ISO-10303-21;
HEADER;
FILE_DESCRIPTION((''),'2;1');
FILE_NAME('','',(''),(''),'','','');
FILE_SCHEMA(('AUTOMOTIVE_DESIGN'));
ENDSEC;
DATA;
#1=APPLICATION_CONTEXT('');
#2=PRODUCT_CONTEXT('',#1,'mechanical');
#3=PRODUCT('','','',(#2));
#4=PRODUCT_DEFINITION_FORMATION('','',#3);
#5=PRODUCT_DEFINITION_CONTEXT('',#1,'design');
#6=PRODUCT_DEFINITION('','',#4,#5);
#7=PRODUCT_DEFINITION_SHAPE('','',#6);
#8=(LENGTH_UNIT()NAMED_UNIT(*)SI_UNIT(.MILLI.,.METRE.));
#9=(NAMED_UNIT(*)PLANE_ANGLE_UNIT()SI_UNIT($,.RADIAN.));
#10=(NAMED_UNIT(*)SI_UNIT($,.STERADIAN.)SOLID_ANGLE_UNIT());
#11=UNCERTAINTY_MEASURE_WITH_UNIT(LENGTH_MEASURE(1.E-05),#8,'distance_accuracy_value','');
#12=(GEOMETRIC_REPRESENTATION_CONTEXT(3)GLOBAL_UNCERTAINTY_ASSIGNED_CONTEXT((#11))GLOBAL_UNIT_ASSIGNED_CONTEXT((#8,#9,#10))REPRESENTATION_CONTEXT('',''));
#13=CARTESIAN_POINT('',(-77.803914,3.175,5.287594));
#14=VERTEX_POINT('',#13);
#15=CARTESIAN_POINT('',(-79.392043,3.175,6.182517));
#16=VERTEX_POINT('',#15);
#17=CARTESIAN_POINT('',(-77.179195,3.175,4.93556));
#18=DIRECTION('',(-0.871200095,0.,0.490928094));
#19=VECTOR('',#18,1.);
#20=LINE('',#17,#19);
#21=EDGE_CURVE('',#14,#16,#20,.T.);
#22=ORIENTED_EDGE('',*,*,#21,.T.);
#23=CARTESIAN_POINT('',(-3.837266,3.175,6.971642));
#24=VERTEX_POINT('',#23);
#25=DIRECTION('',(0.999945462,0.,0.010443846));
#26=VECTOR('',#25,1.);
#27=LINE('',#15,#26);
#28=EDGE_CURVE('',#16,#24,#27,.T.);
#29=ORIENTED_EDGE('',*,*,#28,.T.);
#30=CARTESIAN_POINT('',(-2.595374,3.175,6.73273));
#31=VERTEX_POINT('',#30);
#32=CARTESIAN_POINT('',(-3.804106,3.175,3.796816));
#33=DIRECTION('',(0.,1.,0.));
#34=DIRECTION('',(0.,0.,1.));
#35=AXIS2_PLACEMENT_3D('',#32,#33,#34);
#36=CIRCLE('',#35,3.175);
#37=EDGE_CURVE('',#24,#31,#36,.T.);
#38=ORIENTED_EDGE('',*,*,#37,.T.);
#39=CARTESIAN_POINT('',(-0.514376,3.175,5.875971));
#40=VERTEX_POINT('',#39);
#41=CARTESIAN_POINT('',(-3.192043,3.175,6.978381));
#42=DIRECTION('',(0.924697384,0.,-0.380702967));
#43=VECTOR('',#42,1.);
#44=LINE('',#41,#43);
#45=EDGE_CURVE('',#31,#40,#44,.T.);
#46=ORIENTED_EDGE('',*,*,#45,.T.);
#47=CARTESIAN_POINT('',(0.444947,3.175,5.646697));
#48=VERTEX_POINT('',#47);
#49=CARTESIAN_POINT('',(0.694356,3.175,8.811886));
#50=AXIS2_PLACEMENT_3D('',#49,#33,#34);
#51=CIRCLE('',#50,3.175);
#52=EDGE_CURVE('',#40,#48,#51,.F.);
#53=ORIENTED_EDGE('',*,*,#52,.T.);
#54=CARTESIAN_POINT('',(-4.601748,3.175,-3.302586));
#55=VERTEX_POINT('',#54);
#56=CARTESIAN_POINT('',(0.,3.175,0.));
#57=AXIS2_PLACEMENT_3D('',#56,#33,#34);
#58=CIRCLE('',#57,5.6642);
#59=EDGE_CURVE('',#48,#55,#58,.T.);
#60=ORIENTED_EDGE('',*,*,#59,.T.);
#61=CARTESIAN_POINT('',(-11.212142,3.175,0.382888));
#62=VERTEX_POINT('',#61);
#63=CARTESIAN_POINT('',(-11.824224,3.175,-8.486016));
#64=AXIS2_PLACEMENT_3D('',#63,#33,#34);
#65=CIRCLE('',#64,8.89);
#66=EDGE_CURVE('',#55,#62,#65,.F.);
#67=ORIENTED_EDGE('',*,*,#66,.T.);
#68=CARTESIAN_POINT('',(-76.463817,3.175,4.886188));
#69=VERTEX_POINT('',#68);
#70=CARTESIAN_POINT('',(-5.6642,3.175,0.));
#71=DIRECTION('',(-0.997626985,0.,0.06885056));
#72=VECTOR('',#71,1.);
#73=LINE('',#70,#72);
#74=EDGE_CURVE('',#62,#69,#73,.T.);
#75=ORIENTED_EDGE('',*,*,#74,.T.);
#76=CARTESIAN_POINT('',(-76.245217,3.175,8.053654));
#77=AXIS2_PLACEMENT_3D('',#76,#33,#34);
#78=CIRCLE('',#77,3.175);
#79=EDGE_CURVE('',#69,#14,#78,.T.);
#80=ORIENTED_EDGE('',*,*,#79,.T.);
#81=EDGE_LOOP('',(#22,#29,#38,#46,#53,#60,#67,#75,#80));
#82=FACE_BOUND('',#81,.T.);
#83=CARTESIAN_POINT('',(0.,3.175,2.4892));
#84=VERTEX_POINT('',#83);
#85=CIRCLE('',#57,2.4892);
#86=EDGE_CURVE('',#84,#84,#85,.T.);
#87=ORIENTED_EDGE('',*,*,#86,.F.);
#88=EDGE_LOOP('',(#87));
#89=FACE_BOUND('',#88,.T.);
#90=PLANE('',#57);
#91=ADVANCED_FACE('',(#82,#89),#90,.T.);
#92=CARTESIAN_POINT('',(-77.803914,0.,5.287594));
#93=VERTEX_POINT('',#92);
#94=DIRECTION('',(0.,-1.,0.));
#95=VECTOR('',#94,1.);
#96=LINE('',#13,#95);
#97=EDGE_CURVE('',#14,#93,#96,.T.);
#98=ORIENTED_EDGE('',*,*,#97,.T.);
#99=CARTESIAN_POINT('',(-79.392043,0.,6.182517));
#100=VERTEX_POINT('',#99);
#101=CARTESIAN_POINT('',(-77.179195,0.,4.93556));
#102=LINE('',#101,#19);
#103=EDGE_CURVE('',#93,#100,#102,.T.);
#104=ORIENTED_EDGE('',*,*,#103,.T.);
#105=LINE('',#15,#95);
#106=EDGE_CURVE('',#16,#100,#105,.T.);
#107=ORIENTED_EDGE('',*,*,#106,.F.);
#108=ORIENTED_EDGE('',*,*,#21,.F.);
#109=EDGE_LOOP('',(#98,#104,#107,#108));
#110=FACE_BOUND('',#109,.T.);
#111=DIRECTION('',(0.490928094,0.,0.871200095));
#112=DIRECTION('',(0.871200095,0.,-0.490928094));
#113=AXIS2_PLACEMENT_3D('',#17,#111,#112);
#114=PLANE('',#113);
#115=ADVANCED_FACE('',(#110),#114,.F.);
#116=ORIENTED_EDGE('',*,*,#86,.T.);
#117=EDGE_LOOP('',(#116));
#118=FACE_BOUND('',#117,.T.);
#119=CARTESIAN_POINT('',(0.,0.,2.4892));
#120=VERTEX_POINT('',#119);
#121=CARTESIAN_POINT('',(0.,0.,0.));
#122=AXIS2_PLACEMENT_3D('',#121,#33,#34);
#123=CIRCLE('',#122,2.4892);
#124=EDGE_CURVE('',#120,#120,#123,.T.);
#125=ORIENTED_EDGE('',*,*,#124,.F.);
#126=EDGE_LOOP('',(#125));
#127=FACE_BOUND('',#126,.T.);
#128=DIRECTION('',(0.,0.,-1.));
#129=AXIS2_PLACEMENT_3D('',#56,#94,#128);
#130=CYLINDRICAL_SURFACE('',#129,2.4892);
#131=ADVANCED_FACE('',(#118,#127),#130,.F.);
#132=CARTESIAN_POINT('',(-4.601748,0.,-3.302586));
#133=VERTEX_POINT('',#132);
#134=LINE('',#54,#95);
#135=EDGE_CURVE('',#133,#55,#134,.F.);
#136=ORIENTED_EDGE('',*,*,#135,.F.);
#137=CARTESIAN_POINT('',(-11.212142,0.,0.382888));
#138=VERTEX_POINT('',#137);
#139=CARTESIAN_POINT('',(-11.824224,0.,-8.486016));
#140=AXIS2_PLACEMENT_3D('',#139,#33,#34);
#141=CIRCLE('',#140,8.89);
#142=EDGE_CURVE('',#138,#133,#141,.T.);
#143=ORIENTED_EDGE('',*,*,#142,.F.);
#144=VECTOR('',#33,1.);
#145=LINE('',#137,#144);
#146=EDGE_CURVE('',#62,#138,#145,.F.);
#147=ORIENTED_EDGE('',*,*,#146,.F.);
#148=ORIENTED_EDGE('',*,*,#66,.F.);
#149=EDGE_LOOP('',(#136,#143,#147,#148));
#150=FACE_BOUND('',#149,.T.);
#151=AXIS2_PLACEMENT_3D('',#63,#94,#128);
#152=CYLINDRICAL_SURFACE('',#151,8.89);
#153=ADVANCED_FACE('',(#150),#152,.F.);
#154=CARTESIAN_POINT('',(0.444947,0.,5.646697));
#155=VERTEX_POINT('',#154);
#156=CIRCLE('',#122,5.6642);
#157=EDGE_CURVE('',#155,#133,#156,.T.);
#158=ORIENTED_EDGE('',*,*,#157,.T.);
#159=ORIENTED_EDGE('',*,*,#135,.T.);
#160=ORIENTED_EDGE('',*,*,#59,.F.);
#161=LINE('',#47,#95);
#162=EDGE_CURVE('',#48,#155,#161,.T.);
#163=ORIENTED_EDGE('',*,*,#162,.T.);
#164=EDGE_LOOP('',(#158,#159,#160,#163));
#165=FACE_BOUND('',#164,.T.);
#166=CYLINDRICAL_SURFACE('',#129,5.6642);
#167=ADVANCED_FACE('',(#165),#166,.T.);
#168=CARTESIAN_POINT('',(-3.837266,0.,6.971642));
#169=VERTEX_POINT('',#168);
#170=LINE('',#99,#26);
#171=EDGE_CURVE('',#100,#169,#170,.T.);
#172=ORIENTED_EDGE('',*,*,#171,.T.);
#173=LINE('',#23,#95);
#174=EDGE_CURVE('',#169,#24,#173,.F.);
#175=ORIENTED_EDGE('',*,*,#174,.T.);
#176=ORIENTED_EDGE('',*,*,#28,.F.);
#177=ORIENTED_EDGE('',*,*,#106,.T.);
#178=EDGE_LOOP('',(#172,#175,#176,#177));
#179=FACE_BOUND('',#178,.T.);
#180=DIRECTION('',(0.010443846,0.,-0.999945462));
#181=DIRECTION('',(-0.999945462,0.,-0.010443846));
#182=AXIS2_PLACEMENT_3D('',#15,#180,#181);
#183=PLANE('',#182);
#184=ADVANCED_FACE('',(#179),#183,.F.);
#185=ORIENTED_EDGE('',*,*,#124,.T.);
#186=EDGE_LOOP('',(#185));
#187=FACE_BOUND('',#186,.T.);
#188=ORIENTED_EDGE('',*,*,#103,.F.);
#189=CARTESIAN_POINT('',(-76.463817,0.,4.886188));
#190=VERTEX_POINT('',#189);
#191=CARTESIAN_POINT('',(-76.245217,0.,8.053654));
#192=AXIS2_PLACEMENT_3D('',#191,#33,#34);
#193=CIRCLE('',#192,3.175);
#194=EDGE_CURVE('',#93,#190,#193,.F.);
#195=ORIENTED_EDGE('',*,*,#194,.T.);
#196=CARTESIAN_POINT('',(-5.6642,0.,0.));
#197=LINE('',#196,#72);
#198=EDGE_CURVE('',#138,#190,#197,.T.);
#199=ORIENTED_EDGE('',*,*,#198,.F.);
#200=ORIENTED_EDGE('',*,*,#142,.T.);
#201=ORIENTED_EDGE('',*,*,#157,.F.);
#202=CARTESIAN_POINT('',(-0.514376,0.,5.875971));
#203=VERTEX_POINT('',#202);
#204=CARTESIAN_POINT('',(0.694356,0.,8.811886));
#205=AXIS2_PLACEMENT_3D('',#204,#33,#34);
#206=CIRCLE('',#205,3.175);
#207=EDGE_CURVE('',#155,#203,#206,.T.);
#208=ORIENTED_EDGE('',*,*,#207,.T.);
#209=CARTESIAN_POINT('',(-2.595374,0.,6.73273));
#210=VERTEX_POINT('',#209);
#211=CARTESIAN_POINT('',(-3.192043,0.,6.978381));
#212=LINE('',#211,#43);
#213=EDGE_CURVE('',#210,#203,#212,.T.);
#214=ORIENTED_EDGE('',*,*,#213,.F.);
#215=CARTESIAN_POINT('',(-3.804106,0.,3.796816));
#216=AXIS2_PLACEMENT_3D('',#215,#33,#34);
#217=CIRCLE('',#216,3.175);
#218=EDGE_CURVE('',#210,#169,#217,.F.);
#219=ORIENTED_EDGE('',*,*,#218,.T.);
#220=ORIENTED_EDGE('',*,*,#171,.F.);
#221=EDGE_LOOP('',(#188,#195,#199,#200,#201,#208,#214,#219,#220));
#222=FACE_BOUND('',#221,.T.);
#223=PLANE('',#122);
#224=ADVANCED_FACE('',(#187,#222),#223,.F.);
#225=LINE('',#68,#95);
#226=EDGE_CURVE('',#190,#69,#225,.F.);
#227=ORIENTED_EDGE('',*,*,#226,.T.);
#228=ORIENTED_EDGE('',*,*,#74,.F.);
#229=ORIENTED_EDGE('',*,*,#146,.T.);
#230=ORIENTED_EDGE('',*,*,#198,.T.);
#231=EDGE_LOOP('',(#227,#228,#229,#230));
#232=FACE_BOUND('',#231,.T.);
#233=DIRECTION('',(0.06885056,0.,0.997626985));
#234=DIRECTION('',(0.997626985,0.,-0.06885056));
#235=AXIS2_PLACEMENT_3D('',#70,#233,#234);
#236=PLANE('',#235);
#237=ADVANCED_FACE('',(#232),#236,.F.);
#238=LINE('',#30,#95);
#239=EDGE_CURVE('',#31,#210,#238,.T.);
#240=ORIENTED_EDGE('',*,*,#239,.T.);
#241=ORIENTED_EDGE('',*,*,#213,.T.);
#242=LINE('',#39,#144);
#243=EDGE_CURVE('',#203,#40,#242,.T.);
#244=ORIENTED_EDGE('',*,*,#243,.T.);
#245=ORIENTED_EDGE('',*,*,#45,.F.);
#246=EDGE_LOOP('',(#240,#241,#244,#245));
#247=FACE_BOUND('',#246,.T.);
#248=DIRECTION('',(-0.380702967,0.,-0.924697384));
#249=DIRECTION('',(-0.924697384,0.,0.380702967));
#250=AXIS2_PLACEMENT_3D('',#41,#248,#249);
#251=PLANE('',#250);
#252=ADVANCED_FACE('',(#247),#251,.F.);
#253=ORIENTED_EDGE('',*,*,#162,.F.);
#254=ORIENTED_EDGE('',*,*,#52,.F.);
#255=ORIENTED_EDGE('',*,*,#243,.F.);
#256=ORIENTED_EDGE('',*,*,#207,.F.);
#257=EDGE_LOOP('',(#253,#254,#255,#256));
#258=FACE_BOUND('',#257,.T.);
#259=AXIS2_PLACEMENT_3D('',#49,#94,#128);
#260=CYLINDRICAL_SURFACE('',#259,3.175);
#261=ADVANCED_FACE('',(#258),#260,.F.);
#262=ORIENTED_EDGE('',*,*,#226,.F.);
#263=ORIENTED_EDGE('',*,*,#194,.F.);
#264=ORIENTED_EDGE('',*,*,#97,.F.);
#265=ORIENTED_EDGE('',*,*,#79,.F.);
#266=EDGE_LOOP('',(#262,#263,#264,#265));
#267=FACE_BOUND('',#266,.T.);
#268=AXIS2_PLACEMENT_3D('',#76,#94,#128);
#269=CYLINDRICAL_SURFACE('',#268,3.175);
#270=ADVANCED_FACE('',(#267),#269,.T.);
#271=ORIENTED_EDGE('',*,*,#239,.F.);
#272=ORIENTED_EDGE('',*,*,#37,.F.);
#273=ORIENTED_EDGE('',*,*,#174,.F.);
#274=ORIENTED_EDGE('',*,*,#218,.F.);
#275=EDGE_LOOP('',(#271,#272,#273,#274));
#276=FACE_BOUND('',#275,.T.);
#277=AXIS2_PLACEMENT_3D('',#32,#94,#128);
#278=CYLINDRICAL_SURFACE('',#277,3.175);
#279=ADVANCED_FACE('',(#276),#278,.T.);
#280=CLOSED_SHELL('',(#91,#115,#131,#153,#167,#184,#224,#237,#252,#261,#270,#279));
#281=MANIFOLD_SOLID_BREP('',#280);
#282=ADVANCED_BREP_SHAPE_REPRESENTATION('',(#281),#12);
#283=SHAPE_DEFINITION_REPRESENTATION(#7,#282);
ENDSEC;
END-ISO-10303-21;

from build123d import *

# Parameters (mm, degrees)
SKETCH1_R           = 2.4892
BOSS_EXTRUDE1_DEPTH = 3.175
FILLET1_R           = 3.175
FILLET2_R           = 8.89


with BuildPart() as part:
    # Sketch1 → Boss-Extrude1 (new body)
    with BuildSketch(Plane(origin=(0, 0, 0), x_dir=(1, 0, 0), z_dir=(0, 1, 0))):
        with BuildLine():
            Line((-5.6642, 0), (-77.17919455, -4.935559597))
            Line((-77.17919455, -4.935559597), (-79.392042792, -6.182516957))
            Line((-79.392042792, -6.182516957), (-3.192042792, -6.978381463))
            Line((-3.192042792, -6.978381463), (0, -5.6642))
            ThreePointArc((0, -5.6642), (4.00519423, 4.00519423), (-5.6642, 0))
        make_face()
        Circle(SKETCH1_R, mode=Mode.SUBTRACT)
    extrude(amount=BOSS_EXTRUDE1_DEPTH)

    # Fillet1
    fillet1_edges = [part.edges().sort_by_distance(p)[0] for p in [
        (0, 1.5875, 5.6642),
        (-3.192042792, 1.5875, 6.978381463),
        (-77.17919455, 1.5875, 4.935559597),
    ]]
    fillet(fillet1_edges, radius=FILLET1_R)

    # Fillet2
    fillet2_edges = [part.edges().sort_by_distance(p)[0] for p in [
        (-5.6642, 1.5875, 0),
    ]]
    fillet(fillet2_edges, radius=FILLET2_R)


solid = part.part
